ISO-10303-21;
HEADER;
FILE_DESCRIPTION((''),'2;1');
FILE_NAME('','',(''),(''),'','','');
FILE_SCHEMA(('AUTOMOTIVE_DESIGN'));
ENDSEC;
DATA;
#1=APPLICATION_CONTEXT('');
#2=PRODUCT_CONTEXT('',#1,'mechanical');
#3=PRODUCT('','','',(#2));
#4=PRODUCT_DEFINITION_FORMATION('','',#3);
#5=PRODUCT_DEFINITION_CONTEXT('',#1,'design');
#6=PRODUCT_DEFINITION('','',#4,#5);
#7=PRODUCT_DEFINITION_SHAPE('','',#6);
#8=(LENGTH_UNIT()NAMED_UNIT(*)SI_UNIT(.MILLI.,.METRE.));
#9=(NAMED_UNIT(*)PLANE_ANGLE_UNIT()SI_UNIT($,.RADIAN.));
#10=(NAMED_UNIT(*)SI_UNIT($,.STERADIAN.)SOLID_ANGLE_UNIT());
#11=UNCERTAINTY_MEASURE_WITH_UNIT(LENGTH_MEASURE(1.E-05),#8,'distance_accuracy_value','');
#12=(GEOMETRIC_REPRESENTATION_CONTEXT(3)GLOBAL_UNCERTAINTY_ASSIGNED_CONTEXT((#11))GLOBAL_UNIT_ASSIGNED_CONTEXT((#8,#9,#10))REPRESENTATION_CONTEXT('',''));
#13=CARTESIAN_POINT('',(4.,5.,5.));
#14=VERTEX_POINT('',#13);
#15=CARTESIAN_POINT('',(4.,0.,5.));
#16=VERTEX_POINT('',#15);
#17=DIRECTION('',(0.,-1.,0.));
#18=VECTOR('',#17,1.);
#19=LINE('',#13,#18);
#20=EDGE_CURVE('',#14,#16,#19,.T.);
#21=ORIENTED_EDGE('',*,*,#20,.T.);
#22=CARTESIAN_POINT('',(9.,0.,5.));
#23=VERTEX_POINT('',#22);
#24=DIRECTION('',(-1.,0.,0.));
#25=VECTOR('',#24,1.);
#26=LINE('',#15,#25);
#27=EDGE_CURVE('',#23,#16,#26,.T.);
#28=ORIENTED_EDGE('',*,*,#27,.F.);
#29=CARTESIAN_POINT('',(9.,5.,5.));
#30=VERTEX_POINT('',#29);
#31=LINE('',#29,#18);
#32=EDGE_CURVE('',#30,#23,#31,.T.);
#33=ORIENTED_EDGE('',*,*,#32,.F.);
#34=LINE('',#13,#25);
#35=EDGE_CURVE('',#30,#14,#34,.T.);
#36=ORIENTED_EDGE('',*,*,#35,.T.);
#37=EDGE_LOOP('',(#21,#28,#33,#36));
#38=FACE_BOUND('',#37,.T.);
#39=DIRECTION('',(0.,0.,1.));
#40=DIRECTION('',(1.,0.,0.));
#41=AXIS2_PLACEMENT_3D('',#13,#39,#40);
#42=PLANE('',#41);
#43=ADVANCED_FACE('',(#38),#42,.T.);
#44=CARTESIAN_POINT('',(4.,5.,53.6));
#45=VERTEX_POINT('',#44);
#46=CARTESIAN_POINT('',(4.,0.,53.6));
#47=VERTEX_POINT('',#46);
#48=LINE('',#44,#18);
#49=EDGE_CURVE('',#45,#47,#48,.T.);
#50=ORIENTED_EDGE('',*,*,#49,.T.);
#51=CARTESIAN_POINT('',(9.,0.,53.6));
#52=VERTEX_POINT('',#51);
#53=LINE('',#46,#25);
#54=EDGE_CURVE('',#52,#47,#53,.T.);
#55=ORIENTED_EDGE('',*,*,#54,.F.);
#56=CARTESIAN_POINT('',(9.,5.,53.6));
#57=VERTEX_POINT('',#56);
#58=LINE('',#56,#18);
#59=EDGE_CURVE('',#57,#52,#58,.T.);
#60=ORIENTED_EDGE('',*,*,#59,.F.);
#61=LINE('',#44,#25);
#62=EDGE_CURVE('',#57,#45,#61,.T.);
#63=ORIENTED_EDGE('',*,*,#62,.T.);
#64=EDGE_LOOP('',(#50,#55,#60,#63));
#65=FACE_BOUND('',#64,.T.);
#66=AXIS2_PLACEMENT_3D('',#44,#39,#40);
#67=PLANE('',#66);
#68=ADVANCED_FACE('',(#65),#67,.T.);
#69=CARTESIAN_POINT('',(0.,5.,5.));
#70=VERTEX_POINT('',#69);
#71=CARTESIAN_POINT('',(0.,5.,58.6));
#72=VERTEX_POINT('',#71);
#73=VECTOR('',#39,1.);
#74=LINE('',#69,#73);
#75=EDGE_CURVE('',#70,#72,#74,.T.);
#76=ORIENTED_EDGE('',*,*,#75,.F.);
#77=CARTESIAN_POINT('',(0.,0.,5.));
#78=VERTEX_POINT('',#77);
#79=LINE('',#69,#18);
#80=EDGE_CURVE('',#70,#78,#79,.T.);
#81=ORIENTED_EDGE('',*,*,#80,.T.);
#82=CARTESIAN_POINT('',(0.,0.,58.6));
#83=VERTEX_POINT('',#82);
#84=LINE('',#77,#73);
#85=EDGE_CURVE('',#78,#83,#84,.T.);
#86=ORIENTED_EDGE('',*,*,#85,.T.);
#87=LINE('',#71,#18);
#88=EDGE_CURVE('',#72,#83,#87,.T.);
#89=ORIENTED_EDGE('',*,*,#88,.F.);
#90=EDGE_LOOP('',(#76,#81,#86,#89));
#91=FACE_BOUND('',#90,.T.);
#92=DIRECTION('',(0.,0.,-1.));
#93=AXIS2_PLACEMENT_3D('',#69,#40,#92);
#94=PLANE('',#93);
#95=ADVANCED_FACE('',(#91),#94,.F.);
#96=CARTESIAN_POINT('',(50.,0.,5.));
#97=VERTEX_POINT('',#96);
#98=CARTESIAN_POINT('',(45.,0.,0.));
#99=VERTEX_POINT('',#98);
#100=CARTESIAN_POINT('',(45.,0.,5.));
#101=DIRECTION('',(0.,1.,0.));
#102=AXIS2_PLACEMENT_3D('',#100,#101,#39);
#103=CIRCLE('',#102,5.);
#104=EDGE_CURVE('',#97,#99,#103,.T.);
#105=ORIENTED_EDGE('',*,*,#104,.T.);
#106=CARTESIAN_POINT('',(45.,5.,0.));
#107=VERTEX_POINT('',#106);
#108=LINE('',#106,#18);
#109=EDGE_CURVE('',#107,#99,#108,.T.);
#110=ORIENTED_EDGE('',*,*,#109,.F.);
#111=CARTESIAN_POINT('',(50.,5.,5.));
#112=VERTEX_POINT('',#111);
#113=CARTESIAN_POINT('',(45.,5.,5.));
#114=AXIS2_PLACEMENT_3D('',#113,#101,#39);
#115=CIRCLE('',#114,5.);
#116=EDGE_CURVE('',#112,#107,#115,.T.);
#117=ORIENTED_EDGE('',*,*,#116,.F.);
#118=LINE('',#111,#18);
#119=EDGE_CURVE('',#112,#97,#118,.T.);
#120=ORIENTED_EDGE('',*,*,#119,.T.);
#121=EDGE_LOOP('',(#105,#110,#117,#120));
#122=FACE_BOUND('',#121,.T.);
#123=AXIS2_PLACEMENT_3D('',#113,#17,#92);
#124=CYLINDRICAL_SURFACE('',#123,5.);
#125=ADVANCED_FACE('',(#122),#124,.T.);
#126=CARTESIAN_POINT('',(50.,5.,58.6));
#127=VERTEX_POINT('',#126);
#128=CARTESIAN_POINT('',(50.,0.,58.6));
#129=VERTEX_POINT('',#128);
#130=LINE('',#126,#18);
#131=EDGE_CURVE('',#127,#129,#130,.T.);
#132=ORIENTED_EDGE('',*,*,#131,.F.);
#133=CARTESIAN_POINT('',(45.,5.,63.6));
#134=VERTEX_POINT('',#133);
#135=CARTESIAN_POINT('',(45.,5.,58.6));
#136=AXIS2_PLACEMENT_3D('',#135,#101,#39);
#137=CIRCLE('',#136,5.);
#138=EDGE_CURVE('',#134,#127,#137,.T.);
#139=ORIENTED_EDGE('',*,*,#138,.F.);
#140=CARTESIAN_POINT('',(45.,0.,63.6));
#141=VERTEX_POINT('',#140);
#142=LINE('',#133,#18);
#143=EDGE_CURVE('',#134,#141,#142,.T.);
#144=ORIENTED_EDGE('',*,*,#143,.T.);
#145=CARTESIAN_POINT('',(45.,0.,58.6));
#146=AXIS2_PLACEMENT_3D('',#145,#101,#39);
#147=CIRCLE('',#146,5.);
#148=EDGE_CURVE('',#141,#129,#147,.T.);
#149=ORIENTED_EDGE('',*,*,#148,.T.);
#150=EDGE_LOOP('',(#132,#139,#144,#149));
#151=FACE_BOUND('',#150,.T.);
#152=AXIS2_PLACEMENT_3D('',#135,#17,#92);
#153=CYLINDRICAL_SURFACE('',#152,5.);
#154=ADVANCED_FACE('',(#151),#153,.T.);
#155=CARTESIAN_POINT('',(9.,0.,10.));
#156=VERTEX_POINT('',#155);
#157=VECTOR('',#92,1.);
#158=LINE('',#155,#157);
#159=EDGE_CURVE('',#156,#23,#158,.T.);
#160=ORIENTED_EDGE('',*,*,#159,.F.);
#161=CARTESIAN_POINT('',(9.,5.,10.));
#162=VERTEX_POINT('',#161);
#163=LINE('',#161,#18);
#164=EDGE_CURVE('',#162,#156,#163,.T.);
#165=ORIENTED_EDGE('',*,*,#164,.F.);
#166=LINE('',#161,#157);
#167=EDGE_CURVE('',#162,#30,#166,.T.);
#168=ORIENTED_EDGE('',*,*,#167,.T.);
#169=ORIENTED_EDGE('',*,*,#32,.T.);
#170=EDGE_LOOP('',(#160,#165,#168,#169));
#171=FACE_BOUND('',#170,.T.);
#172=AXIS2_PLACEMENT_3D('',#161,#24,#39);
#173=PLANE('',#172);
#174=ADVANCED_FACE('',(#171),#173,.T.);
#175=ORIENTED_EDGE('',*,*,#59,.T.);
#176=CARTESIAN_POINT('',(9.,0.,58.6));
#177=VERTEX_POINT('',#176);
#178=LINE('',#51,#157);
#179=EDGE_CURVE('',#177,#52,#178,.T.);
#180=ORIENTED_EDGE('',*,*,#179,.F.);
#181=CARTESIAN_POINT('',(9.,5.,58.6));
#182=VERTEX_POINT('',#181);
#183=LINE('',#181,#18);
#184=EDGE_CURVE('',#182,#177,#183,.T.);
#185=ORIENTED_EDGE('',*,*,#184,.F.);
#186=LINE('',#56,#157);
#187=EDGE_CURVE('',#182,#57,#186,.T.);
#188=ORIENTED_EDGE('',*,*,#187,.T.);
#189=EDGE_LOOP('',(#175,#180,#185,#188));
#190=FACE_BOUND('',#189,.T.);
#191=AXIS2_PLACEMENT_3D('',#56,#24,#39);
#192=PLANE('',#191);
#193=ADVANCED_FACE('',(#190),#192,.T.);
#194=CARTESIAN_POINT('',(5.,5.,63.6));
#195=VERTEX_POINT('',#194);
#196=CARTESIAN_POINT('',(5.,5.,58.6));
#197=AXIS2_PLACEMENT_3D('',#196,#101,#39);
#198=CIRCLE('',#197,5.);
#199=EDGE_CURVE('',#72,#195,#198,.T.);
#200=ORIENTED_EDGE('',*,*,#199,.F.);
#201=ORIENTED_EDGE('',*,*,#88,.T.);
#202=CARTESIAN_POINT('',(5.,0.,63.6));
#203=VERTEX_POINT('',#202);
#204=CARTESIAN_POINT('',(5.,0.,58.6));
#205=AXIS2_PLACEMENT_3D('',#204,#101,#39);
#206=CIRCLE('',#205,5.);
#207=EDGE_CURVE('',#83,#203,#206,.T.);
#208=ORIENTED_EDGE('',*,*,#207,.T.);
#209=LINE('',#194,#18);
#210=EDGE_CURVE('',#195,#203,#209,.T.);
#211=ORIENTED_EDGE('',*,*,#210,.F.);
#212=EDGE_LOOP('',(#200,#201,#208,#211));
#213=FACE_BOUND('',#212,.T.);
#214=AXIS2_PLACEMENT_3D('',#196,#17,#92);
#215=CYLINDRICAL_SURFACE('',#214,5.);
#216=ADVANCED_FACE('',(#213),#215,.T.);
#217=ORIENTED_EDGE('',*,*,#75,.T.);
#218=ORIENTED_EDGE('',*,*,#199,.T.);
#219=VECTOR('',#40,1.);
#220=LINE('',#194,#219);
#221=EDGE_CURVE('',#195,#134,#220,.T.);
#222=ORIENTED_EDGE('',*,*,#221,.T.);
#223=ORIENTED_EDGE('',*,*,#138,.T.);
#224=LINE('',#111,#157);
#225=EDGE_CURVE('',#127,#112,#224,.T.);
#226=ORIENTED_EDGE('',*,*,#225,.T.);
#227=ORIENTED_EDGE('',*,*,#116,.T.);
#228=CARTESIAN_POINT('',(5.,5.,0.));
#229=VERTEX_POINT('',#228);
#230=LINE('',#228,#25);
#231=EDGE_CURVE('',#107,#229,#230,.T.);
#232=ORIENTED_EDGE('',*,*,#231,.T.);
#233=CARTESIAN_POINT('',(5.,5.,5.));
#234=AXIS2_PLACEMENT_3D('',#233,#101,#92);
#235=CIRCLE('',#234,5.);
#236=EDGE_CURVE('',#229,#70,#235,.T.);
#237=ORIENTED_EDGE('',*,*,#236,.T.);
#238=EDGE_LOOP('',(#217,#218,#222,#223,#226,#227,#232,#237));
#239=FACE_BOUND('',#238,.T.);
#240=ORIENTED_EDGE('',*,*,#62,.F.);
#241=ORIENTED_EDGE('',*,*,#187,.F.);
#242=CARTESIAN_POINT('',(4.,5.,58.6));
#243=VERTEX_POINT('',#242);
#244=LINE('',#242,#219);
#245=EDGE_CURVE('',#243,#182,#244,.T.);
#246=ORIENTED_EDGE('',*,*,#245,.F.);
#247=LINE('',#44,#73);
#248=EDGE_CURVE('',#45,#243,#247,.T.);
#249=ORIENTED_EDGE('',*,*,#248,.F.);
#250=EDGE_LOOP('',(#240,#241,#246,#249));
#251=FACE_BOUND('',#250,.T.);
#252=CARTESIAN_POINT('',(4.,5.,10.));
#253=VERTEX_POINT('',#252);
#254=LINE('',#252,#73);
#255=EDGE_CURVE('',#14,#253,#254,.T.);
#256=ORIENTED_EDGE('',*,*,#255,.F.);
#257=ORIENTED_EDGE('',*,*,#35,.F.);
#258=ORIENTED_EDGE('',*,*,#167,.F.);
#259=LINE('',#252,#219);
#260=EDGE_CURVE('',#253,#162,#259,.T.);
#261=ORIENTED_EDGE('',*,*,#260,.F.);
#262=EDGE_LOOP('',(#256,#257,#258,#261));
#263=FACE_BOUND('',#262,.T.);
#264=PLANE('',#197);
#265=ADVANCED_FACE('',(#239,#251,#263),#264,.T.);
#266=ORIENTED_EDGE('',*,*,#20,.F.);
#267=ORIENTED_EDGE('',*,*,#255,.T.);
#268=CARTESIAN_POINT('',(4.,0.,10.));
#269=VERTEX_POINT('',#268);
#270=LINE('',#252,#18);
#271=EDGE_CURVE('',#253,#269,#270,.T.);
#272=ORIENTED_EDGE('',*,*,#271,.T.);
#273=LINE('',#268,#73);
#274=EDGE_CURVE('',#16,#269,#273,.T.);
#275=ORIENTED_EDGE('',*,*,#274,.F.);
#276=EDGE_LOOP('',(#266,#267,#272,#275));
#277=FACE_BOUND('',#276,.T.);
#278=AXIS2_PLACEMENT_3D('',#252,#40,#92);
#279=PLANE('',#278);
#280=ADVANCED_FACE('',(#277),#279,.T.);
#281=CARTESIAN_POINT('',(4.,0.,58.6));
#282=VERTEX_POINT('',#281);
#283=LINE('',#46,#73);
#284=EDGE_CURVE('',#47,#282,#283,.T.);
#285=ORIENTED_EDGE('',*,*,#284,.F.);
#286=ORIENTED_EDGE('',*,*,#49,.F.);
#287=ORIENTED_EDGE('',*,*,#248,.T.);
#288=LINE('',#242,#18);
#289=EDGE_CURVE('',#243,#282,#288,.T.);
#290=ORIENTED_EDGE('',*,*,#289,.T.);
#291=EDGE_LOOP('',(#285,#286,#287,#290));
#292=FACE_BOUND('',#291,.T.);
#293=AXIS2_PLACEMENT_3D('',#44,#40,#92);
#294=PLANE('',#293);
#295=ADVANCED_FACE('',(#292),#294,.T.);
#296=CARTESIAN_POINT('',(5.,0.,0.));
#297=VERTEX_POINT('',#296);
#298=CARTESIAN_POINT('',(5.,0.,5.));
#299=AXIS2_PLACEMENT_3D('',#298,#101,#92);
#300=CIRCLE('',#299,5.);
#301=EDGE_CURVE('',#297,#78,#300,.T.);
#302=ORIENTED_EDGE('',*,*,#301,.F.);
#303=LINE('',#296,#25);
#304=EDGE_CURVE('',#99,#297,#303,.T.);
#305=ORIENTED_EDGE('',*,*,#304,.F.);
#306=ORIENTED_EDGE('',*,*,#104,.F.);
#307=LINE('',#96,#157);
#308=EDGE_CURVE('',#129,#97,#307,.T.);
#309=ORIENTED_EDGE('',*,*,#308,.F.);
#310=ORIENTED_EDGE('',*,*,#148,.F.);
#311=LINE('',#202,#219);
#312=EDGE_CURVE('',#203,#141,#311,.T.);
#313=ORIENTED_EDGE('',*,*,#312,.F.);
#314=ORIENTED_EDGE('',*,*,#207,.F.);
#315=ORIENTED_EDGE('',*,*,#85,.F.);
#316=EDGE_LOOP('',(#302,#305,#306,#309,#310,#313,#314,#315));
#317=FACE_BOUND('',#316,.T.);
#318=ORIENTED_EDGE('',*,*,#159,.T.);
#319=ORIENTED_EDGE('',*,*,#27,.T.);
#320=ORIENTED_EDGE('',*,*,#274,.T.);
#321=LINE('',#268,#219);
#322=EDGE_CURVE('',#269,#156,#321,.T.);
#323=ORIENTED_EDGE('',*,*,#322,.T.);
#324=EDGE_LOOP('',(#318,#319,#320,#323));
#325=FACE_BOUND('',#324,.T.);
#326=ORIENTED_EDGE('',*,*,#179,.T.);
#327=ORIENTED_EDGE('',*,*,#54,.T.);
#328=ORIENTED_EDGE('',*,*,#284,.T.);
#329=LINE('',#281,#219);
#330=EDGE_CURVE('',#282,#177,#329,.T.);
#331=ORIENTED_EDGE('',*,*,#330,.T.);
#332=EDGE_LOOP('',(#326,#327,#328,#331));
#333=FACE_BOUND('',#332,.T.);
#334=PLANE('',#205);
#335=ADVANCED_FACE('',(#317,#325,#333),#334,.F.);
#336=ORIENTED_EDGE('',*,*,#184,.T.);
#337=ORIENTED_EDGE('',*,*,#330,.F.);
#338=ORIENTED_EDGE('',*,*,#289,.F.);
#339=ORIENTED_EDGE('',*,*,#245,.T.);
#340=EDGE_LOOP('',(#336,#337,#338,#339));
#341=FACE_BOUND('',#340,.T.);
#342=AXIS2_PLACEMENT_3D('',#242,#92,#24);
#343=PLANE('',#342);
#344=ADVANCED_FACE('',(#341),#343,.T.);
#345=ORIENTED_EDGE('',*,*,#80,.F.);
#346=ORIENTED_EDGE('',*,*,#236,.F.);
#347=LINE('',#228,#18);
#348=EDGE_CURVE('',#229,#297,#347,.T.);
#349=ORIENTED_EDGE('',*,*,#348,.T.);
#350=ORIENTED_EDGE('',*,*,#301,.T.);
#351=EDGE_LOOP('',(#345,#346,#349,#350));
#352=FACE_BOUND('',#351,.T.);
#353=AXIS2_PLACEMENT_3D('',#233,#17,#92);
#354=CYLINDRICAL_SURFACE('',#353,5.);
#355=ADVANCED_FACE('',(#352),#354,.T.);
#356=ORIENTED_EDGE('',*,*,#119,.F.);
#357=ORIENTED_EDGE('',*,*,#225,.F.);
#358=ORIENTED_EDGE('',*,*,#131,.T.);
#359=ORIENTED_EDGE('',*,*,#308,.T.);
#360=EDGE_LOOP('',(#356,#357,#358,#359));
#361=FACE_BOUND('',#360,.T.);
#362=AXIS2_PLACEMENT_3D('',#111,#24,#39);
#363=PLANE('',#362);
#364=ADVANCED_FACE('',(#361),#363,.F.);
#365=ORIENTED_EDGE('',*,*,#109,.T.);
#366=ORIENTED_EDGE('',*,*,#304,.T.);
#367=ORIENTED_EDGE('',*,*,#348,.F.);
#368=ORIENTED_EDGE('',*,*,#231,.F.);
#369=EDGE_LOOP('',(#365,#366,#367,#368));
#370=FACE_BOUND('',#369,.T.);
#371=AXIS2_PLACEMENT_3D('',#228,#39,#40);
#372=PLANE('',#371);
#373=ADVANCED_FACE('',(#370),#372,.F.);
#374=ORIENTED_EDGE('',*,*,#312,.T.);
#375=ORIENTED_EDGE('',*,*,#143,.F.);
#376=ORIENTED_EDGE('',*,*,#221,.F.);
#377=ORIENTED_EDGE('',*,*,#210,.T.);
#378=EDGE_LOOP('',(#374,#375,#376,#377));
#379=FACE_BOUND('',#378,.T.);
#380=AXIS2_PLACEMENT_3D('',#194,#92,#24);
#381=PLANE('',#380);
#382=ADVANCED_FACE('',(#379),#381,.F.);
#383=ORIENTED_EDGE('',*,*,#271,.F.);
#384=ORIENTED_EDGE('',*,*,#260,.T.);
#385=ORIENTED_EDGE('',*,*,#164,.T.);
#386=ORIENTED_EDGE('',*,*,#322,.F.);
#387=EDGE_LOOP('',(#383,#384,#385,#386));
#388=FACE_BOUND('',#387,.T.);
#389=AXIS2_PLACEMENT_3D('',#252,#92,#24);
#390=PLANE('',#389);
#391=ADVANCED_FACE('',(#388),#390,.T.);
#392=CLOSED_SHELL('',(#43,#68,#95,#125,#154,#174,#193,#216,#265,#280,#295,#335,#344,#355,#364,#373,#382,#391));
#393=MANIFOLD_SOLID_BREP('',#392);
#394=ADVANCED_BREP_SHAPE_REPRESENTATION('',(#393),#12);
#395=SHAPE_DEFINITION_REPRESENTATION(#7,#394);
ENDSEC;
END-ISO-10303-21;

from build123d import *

# Parameters (mm, degrees)
SKETCH2_W           = 5
SKETCH2_H           = 5
BOSS_EXTRUDE1_DEPTH = 5


with BuildPart() as part:
    # Sketch2 → Boss-Extrude1 (new body)
    with BuildSketch(Plane(origin=(0, 0, 0), x_dir=(1, 0, 0), z_dir=(0, 1, 0))):
        with BuildLine():
            Line((5, 0), (45, 0))
            ThreePointArc((45, 0), (48.535533906, -1.464466094), (50, -5))
            Line((50, -5), (50, -58.6))
            ThreePointArc((50, -58.6), (48.535533906, -62.135533906), (45, -63.6))
            Line((45, -63.6), (5, -63.6))
            ThreePointArc((5, -63.6), (1.464466094, -62.135533906), (0, -58.6))
            Line((0, -58.6), (0, -5))
            ThreePointArc((0, -5), (1.464466094, -1.464466094), (5, 0))
        make_face()
        with Locations((6.5, -56.1)):
            Rectangle(SKETCH2_W, SKETCH2_H, mode=Mode.SUBTRACT)
        with Locations((6.5, -7.5)):
            Rectangle(SKETCH2_W, SKETCH2_H, mode=Mode.SUBTRACT)
    extrude(amount=BOSS_EXTRUDE1_DEPTH)


solid = part.part
